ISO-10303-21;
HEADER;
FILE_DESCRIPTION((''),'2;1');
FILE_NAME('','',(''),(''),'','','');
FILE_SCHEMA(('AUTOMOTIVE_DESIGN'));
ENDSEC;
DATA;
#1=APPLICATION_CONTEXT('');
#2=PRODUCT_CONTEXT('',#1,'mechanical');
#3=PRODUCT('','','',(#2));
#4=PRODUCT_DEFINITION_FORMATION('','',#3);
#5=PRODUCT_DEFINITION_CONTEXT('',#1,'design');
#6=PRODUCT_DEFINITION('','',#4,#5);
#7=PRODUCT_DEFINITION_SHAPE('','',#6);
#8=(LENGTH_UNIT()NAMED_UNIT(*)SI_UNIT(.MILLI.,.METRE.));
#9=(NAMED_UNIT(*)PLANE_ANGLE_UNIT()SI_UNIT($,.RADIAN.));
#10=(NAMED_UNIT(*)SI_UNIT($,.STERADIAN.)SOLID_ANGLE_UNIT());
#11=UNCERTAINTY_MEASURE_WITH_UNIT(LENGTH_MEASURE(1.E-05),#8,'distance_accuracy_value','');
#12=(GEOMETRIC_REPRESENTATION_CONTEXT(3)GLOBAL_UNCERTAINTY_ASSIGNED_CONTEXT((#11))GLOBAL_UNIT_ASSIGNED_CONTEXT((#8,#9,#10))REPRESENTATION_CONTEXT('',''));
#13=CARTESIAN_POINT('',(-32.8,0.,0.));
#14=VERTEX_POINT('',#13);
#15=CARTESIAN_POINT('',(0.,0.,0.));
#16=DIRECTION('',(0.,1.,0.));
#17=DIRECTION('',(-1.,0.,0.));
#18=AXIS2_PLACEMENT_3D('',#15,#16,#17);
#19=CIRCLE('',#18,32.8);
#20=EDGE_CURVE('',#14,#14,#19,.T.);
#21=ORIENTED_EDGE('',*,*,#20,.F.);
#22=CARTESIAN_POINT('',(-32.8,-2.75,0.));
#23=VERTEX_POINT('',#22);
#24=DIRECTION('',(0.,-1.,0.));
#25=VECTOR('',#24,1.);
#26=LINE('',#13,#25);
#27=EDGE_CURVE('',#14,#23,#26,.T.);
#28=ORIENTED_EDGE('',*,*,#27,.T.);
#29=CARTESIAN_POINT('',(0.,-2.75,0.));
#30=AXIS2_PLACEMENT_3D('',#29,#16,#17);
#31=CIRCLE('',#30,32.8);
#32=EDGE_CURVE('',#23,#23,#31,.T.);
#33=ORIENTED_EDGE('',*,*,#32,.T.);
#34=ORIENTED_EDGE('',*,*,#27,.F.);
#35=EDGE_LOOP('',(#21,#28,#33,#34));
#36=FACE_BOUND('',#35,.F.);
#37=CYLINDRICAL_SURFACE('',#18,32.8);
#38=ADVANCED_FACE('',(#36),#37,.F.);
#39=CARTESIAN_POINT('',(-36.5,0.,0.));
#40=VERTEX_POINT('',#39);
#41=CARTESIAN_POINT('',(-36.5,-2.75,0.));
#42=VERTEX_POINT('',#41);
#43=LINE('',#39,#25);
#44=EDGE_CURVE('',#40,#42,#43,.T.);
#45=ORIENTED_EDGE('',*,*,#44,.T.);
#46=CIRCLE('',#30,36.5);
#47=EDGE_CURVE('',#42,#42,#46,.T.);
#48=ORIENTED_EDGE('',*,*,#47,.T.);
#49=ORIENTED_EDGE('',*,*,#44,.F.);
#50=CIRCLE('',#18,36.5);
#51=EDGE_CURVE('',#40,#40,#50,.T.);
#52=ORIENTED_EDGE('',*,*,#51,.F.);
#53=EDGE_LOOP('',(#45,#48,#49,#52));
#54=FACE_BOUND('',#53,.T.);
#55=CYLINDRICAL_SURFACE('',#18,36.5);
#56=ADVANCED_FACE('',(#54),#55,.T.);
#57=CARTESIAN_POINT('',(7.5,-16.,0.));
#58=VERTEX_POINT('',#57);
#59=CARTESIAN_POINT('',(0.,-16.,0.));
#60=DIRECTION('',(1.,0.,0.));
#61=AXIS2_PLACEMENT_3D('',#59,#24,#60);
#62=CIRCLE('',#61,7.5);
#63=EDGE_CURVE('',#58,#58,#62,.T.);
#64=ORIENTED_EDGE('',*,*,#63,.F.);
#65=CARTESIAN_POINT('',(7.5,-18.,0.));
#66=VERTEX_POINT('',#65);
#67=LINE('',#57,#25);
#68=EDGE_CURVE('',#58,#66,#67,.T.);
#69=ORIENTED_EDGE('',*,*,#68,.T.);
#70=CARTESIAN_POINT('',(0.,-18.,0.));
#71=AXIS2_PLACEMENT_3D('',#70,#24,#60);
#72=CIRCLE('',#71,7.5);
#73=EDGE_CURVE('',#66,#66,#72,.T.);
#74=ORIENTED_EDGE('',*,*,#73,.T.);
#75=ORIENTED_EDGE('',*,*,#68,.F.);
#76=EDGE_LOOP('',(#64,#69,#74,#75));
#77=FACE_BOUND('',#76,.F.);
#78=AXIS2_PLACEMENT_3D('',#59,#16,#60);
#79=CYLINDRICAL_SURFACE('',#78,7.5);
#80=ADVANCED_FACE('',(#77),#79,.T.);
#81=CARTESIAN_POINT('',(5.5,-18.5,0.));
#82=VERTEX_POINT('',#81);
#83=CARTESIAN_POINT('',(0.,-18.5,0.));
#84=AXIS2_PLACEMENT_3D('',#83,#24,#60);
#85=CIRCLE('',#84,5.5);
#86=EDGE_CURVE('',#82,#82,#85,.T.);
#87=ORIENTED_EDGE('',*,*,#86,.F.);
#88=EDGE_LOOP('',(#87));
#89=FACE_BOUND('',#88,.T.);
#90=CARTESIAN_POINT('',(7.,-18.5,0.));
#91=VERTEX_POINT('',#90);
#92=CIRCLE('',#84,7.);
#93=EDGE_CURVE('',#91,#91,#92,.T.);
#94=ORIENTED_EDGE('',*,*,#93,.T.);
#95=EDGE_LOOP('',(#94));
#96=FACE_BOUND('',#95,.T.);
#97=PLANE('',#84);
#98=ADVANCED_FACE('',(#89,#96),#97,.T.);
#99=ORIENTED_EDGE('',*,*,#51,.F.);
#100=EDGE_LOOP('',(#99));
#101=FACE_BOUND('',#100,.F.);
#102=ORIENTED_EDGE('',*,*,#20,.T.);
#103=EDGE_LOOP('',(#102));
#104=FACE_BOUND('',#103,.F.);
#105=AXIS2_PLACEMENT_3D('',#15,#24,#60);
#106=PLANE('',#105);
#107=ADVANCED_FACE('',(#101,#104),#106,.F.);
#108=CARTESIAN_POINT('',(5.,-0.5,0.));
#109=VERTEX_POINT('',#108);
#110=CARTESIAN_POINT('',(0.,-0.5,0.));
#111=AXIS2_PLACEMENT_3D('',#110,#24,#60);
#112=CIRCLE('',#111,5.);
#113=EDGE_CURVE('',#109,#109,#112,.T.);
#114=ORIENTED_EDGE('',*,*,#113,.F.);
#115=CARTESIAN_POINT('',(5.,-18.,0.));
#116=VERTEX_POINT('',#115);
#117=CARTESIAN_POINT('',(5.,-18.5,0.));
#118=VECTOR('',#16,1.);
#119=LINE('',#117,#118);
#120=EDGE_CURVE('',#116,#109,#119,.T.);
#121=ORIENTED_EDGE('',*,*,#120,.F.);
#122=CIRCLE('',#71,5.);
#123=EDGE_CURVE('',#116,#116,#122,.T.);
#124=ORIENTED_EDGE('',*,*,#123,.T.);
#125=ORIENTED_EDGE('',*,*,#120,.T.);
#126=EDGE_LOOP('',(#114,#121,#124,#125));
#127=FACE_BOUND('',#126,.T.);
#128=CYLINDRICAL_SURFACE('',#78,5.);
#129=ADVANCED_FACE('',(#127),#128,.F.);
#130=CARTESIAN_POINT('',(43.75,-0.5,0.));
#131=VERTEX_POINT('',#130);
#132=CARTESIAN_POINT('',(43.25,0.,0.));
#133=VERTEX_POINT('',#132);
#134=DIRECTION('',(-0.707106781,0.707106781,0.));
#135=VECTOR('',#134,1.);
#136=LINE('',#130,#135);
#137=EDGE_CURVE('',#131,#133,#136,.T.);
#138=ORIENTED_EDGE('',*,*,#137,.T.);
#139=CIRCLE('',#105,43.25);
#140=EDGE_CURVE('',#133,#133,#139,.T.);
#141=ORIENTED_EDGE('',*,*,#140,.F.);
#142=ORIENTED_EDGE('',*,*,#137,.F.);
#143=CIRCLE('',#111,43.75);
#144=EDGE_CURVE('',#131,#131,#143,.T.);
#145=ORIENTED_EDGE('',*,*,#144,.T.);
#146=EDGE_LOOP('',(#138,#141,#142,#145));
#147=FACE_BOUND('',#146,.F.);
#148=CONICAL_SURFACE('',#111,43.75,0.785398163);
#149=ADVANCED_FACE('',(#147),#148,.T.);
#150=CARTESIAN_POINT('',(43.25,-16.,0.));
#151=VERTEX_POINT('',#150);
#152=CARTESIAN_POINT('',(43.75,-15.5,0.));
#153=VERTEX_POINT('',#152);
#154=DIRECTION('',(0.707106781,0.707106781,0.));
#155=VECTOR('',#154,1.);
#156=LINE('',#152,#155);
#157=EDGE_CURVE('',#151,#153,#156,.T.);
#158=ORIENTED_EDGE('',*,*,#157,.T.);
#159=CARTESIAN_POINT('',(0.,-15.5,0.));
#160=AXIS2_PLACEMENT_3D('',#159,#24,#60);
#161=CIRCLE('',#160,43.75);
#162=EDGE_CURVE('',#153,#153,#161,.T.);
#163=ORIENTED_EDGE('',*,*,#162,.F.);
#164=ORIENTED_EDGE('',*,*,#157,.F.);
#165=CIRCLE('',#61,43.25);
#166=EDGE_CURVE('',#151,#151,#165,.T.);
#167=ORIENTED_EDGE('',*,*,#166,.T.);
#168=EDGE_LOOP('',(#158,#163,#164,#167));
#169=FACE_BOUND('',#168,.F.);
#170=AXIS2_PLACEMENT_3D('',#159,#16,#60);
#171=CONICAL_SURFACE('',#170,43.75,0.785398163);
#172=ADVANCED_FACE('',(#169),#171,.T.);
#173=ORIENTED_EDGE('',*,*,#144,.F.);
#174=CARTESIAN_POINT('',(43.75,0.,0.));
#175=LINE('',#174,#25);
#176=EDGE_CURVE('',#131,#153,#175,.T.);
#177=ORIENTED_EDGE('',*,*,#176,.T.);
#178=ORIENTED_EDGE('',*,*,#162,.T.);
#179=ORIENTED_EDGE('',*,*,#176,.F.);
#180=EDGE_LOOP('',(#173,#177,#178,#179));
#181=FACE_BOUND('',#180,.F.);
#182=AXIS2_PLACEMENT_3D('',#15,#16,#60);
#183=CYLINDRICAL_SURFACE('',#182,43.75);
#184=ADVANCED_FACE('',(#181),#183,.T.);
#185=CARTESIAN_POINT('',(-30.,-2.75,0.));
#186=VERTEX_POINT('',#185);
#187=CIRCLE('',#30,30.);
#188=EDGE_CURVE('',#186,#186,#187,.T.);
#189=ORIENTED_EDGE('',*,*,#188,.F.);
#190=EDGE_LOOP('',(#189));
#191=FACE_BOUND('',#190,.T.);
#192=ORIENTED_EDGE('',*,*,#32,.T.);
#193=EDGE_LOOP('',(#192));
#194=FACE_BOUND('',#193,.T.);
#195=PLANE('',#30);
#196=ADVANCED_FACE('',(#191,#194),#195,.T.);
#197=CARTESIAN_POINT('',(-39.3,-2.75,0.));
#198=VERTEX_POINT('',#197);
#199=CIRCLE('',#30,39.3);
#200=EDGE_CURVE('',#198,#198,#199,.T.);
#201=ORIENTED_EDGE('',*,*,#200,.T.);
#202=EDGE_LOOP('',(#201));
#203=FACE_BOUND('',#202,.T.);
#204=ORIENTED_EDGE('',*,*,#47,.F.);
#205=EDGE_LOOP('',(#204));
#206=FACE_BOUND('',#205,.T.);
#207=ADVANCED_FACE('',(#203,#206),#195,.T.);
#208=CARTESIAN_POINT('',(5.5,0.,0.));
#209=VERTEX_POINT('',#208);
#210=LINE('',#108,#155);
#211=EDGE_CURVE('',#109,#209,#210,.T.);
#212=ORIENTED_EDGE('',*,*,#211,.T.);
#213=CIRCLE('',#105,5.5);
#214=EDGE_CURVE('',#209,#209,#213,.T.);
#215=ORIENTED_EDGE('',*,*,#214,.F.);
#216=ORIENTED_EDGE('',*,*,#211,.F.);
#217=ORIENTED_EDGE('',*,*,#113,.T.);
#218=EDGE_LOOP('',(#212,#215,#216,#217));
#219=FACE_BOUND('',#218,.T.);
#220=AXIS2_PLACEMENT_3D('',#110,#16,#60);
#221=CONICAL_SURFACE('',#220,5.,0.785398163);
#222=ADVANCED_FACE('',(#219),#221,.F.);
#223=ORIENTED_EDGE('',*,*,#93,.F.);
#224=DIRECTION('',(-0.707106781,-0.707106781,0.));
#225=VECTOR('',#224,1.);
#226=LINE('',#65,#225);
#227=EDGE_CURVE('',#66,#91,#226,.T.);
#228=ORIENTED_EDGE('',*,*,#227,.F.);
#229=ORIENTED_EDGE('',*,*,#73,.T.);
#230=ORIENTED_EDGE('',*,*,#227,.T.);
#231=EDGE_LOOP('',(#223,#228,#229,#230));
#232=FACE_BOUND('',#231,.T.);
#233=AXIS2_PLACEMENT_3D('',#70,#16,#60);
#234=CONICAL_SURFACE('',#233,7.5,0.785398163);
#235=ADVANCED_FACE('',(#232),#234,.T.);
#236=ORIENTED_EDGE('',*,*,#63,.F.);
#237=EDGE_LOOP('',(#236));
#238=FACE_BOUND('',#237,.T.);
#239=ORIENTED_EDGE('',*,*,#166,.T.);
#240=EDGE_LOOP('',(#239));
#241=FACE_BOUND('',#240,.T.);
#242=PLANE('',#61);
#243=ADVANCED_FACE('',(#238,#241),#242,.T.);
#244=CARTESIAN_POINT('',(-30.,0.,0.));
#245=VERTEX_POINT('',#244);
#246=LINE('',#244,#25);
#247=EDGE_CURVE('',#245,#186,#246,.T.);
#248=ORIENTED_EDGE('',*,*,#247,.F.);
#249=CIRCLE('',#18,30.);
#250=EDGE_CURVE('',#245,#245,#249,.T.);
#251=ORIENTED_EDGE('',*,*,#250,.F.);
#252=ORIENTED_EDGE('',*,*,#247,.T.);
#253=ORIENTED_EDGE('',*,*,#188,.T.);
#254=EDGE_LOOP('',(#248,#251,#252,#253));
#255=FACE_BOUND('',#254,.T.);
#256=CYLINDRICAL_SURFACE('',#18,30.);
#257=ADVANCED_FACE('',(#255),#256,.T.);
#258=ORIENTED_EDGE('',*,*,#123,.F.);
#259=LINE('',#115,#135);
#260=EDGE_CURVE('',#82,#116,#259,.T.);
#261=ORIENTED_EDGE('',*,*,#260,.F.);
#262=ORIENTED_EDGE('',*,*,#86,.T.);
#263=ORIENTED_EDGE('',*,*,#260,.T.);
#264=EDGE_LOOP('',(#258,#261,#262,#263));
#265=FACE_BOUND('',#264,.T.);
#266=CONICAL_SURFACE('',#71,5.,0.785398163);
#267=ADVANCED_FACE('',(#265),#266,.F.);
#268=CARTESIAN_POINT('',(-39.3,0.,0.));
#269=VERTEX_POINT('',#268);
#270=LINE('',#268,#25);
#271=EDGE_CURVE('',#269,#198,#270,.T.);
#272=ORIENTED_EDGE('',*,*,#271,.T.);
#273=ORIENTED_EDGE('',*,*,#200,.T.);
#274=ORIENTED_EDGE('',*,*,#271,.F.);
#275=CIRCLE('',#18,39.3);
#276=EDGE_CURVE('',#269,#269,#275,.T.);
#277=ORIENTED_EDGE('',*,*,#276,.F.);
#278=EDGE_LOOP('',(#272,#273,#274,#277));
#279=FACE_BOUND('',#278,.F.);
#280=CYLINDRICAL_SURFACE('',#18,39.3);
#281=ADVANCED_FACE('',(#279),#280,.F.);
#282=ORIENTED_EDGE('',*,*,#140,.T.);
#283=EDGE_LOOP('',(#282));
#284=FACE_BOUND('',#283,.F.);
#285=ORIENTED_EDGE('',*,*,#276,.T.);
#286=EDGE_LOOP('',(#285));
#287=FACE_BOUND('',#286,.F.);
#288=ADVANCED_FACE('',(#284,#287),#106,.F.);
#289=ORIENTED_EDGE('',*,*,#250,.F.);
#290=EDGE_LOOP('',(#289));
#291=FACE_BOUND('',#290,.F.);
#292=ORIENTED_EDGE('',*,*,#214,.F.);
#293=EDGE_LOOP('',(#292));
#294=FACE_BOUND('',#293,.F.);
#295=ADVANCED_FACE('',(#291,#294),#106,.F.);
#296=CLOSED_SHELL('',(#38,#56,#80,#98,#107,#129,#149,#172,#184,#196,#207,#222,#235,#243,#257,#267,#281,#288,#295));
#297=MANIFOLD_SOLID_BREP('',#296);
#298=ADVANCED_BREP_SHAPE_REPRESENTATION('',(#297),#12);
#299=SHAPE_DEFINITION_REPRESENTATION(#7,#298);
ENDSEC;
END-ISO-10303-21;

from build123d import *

# Parameters (mm, degrees)
F0_R     = 43.75
F0_R_2   = 5
F1_DEPTH = 16
F2_R     = 7.5
F2_R_2   = 5
F3_DEPTH = 2.5
F4_R     = 39.3
F4_R_2   = 36.5
F4_R_3   = 32.8
F4_R_4   = 30
F5_DEPTH = 2.75
F6_SIZE  = 0.5


with BuildPart() as f1:
    # F0 (on Front) → F1 (new body)
    with BuildSketch(Plane.XZ):
        Circle(F0_R)
        Circle(F0_R_2, mode=Mode.SUBTRACT)
    extrude(amount=F1_DEPTH)

    # F2 (on face) → F3 (join)
    with BuildSketch(Plane.XZ.offset(16)):
        Circle(F2_R)
        Circle(F2_R_2, mode=Mode.SUBTRACT)
    extrude(amount=F3_DEPTH)

    # F4 (on face) → F5 (cut)
    with BuildSketch(Plane(origin=(0, 0, 0), x_dir=(-1, 0, 0), z_dir=(0, 1, 0))):
        Circle(F4_R)
        Circle(F4_R_2, mode=Mode.SUBTRACT)
        Circle(F4_R_3)
        Circle(F4_R_4, mode=Mode.SUBTRACT)
    extrude(amount=-F5_DEPTH, mode=Mode.SUBTRACT)

    # F6
    f6_edges = [f1.edges().sort_by_distance(p)[0] for p in [
        (-7.5, -18.5, 0),
        (-5, -18.5, 0),
        (-43.75, -16, 0),
        (-43.75, 0, 0),
        (-5, 0, 0),
    ]]
    chamfer(f6_edges, length=F6_SIZE)


solid = f1.part
